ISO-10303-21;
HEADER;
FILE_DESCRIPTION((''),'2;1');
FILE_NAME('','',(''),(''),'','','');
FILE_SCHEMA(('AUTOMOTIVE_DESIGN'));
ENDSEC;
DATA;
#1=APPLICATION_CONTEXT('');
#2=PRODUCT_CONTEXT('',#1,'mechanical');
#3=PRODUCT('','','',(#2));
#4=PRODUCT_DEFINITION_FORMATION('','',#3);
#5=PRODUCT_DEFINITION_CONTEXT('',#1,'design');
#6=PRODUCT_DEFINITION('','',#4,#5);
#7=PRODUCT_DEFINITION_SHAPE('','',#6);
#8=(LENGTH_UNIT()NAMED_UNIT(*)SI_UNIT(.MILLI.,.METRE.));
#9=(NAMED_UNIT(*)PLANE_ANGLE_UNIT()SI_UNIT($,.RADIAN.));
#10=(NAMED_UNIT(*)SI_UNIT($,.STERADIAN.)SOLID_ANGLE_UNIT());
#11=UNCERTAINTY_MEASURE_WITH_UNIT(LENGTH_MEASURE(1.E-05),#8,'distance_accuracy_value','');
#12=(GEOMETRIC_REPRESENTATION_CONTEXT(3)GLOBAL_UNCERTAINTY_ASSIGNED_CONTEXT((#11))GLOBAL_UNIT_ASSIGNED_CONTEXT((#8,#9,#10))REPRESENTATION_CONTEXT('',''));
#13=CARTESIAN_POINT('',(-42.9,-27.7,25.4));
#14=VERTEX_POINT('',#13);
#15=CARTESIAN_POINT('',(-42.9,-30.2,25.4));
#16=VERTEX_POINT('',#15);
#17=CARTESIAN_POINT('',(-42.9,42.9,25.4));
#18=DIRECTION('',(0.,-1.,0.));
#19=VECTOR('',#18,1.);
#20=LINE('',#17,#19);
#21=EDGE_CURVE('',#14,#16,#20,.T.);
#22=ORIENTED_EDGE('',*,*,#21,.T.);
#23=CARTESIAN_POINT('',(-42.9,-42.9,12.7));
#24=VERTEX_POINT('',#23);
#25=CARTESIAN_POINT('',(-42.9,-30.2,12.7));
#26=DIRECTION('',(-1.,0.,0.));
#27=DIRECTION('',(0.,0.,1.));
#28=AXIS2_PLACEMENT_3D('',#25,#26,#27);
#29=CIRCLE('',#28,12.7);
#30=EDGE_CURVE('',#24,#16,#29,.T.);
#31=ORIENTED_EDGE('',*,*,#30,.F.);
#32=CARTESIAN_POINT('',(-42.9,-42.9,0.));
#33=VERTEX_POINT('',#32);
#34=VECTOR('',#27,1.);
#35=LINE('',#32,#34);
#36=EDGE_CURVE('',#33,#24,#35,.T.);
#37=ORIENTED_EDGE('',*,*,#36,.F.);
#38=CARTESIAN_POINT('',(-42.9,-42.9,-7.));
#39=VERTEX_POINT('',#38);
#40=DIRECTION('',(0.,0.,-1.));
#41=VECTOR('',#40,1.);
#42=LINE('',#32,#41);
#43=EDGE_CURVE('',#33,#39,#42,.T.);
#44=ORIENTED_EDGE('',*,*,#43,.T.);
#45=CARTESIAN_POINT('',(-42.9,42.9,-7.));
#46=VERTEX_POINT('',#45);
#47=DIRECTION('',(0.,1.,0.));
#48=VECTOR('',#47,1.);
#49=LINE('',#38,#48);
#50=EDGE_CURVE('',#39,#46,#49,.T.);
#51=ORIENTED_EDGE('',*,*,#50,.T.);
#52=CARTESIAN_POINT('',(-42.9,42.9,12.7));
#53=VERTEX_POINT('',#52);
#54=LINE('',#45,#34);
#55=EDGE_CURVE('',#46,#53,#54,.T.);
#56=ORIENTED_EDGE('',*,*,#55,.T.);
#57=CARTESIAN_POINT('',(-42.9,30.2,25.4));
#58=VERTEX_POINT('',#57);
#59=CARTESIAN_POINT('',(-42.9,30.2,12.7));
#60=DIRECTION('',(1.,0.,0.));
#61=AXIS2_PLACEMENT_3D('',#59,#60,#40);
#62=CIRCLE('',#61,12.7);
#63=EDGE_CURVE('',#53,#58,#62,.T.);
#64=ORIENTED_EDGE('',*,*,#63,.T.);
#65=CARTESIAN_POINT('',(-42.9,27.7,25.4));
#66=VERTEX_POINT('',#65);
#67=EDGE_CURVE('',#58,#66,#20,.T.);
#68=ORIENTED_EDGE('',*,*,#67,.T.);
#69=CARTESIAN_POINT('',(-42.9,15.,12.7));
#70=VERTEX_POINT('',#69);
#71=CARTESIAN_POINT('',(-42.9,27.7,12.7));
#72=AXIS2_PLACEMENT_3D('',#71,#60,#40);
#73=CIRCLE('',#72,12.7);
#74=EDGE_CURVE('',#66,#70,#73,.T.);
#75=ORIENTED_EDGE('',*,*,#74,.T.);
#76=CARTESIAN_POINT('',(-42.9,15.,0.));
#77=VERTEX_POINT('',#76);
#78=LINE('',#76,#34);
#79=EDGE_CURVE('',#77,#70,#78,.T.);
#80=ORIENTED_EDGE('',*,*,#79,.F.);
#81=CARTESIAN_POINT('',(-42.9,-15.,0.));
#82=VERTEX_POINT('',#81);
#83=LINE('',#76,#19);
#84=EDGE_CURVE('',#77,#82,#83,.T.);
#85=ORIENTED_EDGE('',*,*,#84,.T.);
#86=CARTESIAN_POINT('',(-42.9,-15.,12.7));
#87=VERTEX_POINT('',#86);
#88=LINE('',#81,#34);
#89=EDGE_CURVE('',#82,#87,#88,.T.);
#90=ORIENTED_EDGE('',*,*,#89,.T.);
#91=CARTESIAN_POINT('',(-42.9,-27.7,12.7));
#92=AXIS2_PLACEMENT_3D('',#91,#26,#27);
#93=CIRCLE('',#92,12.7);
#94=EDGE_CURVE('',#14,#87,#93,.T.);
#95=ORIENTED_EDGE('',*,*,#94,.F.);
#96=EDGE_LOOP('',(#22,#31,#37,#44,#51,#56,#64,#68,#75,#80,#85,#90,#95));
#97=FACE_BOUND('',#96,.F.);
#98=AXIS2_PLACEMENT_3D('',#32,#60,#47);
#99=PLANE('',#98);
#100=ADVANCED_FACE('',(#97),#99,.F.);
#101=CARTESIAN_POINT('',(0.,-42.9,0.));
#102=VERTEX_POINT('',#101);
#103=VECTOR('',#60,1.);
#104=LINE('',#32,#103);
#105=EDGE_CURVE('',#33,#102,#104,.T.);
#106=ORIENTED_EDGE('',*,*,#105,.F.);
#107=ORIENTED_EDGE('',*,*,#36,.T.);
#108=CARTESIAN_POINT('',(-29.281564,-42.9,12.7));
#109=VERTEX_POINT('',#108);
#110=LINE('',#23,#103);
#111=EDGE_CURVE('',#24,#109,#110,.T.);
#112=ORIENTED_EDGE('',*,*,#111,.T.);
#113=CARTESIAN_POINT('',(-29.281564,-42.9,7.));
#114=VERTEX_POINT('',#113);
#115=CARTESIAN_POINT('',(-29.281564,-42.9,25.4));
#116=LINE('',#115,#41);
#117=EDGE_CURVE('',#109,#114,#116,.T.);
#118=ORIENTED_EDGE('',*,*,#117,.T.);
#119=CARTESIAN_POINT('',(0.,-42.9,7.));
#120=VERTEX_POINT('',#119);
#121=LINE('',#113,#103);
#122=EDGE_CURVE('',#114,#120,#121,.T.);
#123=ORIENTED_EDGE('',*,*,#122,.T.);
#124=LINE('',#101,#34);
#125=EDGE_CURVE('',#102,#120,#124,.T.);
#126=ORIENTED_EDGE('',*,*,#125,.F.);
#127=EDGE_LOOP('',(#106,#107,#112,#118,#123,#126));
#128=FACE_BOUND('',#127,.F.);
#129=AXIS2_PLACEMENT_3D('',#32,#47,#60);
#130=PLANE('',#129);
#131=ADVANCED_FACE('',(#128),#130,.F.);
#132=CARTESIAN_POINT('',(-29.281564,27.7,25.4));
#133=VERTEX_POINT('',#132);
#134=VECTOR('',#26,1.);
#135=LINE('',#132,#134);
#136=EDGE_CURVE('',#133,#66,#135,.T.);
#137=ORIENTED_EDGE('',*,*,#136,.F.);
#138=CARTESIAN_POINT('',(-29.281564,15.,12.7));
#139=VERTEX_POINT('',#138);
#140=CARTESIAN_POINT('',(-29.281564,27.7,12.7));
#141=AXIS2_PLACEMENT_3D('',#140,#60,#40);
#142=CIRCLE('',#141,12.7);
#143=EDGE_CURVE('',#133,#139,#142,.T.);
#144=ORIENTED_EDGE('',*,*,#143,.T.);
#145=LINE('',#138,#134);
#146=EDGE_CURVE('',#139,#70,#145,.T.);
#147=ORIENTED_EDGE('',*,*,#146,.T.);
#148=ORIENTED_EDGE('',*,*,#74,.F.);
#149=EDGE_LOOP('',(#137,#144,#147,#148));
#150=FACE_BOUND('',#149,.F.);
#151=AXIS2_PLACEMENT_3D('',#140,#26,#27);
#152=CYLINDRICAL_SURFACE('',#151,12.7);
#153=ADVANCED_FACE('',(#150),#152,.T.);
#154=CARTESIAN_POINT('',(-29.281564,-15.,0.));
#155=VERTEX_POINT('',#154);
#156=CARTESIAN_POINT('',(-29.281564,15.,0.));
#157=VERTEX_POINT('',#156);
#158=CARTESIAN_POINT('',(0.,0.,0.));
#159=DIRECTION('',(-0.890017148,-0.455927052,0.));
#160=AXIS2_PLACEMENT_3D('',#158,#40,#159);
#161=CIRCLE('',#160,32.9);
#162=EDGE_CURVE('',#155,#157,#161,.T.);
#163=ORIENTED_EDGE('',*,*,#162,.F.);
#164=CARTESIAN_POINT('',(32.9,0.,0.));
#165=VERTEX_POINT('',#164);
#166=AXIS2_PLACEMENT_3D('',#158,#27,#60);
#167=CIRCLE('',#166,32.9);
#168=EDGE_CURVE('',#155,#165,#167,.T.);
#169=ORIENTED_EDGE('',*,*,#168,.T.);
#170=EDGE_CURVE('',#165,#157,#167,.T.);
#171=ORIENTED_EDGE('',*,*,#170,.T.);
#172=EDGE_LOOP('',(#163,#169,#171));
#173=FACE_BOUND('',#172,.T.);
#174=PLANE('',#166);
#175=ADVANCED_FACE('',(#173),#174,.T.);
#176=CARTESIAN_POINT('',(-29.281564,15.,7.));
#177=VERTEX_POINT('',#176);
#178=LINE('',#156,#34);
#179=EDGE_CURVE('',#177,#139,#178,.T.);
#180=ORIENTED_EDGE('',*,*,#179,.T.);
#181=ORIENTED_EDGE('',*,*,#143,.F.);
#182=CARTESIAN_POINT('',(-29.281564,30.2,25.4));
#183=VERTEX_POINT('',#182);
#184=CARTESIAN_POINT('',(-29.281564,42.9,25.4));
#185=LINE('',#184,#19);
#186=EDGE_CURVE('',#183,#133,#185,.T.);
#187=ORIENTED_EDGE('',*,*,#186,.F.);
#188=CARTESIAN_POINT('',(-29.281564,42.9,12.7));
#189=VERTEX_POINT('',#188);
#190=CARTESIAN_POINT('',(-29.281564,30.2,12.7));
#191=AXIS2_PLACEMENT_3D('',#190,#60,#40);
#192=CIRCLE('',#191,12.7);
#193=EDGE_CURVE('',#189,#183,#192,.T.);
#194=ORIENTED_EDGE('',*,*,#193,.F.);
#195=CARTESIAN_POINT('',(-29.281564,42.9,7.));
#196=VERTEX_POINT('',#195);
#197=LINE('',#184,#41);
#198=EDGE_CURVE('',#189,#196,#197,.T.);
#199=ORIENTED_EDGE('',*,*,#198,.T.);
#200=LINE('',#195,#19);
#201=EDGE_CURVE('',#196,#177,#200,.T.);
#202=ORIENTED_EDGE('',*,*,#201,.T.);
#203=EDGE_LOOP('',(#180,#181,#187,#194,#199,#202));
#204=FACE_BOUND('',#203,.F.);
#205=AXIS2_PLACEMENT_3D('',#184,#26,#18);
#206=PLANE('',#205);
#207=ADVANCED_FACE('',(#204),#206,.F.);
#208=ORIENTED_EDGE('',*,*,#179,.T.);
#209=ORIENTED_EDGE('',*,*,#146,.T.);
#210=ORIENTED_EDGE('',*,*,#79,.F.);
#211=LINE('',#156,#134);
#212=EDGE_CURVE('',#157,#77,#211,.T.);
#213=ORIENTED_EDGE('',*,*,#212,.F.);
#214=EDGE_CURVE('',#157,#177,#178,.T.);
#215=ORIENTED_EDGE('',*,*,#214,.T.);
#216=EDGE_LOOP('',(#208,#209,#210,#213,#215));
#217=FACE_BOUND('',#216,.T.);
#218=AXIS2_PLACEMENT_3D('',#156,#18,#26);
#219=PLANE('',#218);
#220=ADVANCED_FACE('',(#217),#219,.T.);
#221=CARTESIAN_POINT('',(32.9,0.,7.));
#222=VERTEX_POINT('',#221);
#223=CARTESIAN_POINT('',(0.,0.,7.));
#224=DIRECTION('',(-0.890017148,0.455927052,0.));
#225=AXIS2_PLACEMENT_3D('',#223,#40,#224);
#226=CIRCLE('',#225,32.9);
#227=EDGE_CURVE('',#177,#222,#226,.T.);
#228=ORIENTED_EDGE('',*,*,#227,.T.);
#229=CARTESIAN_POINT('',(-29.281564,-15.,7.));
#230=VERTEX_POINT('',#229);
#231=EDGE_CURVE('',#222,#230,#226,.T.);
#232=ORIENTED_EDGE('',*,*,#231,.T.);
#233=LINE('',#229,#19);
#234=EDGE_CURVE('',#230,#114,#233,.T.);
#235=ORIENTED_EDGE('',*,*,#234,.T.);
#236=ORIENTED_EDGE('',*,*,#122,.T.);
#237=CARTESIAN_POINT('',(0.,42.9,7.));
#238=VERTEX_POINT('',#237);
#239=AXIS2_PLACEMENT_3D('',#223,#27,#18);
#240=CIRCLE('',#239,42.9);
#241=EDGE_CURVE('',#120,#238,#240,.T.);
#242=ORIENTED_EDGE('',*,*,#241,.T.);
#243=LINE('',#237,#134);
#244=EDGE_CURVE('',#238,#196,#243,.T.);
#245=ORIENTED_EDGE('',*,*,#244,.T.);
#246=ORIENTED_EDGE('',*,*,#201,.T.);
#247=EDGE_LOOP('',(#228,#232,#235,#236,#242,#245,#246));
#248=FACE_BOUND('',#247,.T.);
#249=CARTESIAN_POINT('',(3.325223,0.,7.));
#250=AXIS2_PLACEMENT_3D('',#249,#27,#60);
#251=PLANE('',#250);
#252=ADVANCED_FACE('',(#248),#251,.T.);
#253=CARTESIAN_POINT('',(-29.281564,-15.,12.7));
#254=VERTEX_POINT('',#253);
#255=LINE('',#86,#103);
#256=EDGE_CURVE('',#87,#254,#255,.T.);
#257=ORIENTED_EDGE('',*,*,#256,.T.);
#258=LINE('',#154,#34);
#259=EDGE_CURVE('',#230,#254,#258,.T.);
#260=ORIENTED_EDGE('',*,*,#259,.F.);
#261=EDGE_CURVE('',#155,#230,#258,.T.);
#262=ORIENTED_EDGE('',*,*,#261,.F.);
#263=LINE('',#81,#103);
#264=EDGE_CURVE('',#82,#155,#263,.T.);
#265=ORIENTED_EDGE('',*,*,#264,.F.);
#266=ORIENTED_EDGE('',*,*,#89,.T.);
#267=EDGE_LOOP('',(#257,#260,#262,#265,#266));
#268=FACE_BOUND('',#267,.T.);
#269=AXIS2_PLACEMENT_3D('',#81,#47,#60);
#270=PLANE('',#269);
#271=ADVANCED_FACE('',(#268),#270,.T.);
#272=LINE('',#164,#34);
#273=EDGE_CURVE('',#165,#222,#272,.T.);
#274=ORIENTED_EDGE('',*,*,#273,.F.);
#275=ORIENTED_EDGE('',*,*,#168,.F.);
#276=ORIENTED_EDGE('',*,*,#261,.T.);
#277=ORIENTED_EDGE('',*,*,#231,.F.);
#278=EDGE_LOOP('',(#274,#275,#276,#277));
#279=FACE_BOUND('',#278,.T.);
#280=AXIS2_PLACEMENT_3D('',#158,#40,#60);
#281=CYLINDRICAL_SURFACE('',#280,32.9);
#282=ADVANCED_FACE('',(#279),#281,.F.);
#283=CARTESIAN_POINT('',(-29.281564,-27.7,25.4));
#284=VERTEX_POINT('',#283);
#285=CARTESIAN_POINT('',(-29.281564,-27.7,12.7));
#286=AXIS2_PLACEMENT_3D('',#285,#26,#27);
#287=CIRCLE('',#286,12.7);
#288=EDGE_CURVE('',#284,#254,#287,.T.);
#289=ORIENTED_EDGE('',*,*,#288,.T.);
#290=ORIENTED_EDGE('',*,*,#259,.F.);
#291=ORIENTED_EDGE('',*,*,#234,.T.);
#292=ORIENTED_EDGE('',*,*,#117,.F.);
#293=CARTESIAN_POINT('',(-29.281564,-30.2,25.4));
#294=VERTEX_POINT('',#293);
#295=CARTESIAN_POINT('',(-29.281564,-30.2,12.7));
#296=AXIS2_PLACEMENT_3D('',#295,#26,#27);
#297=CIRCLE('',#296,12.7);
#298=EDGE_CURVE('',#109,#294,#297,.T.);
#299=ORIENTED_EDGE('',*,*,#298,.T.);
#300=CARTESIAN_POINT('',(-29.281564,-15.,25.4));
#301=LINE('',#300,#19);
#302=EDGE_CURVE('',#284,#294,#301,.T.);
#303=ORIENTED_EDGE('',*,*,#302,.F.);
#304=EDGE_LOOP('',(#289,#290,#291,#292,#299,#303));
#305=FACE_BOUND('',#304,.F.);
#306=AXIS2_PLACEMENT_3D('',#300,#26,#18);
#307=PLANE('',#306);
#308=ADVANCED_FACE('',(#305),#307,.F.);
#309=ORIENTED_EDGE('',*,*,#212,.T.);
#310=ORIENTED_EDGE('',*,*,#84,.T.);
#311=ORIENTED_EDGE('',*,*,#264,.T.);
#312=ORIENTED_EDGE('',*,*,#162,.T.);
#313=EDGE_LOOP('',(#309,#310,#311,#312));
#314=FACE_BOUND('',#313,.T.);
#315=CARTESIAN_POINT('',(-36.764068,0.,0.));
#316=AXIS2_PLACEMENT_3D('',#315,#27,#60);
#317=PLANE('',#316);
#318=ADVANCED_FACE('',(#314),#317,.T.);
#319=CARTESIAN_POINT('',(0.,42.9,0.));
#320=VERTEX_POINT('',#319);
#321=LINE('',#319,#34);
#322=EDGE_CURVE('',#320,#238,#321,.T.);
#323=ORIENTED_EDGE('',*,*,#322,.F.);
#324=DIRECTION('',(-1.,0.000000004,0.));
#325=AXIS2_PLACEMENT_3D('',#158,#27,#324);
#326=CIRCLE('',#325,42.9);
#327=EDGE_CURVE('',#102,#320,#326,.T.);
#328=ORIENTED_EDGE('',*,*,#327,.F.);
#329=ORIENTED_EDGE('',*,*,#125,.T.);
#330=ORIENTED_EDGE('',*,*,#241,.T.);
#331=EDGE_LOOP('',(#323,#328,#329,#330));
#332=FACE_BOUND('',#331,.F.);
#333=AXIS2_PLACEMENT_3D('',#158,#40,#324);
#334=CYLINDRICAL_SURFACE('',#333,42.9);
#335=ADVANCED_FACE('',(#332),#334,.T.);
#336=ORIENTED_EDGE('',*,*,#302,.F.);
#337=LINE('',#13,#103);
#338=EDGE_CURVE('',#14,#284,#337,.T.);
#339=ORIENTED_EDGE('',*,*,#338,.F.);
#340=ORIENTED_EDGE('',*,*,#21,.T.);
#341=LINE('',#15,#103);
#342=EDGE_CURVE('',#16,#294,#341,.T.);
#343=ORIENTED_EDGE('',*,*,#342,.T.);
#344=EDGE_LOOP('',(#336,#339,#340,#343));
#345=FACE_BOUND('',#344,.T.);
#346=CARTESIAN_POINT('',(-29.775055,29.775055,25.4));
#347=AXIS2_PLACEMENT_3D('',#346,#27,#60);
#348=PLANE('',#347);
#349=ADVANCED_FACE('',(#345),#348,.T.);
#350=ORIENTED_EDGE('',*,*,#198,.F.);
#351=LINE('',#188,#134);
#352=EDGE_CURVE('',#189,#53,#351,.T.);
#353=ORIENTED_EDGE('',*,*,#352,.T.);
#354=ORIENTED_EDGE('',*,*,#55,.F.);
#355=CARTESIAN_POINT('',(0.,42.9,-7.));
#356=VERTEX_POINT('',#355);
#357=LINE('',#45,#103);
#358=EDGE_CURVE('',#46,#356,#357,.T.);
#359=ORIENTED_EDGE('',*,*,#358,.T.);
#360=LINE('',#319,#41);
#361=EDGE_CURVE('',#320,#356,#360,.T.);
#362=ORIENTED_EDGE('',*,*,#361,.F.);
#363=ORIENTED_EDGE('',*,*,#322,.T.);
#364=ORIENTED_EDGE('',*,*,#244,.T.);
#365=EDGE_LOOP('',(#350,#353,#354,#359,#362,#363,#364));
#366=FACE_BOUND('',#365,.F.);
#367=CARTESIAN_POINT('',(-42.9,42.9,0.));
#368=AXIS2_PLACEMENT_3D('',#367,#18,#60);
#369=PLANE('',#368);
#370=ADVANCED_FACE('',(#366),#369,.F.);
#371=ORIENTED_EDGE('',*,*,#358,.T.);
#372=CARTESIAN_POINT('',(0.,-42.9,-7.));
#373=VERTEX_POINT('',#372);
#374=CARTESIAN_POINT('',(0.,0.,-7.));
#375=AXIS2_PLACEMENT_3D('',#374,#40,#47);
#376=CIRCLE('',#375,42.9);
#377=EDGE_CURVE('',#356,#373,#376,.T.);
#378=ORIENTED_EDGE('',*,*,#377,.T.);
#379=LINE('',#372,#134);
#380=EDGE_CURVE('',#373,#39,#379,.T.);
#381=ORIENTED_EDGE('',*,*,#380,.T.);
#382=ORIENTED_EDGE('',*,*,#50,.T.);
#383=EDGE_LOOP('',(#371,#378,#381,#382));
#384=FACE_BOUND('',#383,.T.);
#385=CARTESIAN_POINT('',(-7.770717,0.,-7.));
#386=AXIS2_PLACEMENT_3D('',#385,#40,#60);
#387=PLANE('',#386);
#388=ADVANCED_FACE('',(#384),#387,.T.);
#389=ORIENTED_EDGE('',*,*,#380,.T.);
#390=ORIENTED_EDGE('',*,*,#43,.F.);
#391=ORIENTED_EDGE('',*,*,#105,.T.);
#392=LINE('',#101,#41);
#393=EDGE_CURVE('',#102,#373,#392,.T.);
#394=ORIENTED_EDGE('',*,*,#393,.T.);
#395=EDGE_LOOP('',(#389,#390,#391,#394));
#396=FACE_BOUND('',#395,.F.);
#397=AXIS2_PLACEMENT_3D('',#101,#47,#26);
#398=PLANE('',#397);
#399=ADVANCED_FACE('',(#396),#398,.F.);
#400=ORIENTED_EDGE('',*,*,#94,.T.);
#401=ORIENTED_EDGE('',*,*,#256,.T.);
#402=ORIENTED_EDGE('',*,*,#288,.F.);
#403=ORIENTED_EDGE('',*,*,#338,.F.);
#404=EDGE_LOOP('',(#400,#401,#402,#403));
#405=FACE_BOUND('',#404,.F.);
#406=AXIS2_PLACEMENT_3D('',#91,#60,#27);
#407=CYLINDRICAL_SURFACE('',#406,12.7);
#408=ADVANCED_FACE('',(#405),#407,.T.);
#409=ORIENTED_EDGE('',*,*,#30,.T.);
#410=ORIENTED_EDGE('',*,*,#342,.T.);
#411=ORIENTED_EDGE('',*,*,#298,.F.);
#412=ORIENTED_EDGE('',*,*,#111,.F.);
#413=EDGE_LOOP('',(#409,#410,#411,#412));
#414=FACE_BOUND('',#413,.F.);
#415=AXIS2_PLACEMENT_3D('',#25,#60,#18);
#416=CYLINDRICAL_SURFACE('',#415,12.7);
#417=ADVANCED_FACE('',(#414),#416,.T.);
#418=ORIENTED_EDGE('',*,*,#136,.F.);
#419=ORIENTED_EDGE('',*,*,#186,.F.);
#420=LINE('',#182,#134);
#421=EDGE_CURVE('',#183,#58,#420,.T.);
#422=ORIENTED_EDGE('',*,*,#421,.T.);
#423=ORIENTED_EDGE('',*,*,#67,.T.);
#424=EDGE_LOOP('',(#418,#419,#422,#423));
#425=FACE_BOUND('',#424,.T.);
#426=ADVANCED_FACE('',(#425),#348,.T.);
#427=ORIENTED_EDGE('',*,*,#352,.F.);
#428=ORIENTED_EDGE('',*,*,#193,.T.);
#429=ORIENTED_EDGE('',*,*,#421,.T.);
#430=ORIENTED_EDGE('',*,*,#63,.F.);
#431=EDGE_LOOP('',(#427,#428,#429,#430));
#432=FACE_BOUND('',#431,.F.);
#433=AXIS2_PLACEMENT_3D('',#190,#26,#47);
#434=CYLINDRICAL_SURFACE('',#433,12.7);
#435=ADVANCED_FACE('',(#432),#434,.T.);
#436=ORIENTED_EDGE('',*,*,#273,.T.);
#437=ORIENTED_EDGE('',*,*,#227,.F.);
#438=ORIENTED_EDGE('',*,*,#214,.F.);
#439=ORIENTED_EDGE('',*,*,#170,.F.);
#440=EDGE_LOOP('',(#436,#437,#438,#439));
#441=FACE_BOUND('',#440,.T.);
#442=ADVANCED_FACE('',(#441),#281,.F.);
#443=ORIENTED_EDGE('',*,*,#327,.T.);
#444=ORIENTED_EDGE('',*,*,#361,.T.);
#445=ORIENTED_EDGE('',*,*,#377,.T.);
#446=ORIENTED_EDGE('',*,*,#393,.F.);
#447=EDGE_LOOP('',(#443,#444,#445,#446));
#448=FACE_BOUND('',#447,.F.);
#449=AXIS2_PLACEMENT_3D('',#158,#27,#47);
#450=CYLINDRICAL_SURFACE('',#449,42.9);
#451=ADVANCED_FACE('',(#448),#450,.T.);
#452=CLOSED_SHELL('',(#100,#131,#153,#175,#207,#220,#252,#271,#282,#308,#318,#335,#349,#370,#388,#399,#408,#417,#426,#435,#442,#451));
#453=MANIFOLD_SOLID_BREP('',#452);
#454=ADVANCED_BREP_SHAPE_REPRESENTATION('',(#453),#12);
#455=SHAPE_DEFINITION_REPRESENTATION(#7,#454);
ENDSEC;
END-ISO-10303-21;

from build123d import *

# Parameters (mm, degrees)
F0_R      = 32.9
F1_DEPTH  = 25.4
F1_FACE_R = 32.9
F2_R      = 32.9
F3_DEPTH  = 7
F5_DEPTH  = 25.4
F7_DEPTH  = 18.4
F8_R      = 12.7


with BuildPart() as f1:
    # F0 (on Top) → F1 (new body)
    with BuildSketch(Plane.XY):
        with BuildLine():
            ThreePointArc((-42.9, 1.789e-07), (-30.3348808497, 30.3348809761), (0, 42.9))
            Line((0, 42.9), (-42.9, 42.9))
            Line((-42.9, 42.9), (-42.9, 1.789e-07))
        make_face()
        with BuildLine():
            Line((-42.9, -42.9), (0, -42.9))
            ThreePointArc((0, -42.9), (-30.3348809761, -30.3348808497), (-42.9, 1.789e-07))
            Line((-42.9, 1.789e-07), (-42.9, -42.9))
        make_face()
        with BuildLine():
            ThreePointArc((0, -42.9), (30.3348809129, -30.3348809129), (42.9, 0))
            ThreePointArc((42.9, 0), (30.3348809129, 30.3348809129), (0, 42.9))
            ThreePointArc((0, 42.9), (-30.3348808497, 30.3348809761), (-42.9, 1.789e-07))
            ThreePointArc((-42.9, 1.789e-07), (-30.3348809761, -30.3348808497), (0, -42.9))
        make_face()
        Circle(F0_R, mode=Mode.SUBTRACT)
    extrude(amount=F1_DEPTH)

    # F1_face (on face) + F2 (on Top) → F3 (join)
    with BuildSketch(Plane(origin=(-8.2989240486, 0, 0), x_dir=(1, 0, 0), z_dir=(0, 0, -1))):
        with BuildLine():
            Line((-34.6010759514, -42.9), (8.2989240486, -42.9))
            ThreePointArc((8.2989240486, -42.9), (51.1989240486, 0), (8.2989240486, 42.9))
            Line((8.2989240486, 42.9), (-34.6010759514, 42.9))
            Line((-34.6010759514, 42.9), (-34.6010759514, -42.9))
        make_face()
        with Locations((8.2989240486, 0)):
            Circle(F1_FACE_R, mode=Mode.SUBTRACT)
    with BuildSketch(Plane.XY):
        Circle(F2_R)
    extrude(amount=F3_DEPTH, dir=(0, 0, -1))

    # F4 (on Top) → F5 (cut)
    with BuildSketch(Plane.XY):
        with BuildLine():
            ThreePointArc((-29.2815641659, -15), (-32.9, 0), (-29.2815641659, 15))
            Line((-29.2815641659, 15), (-42.9, 15))
            Line((-42.9, 15), (-42.9, -15))
            Line((-42.9, -15), (-29.2815641659, -15))
        make_face()
    extrude(amount=F5_DEPTH, mode=Mode.SUBTRACT)

    # F6 (on face) → F7 (cut)
    with BuildSketch(Plane.XY.offset(25.4)):
        with BuildLine():
            Line((-29.2815641659, 42.9), (-29.2815641659, 15))
            ThreePointArc((-29.2815641659, 15), (32.9, 0), (-29.2815641659, -15))
            Line((-29.2815641659, -15), (-29.2815641659, -42.9))
            Line((-29.2815641659, -42.9), (0, -42.9))
            ThreePointArc((0, -42.9), (42.9, 0), (0, 42.9))
            Line((0, 42.9), (-29.2815641659, 42.9))
        make_face()
    extrude(amount=-F7_DEPTH, mode=Mode.SUBTRACT)

    # F8
    f8_edges = [f1.edges().sort_by_distance(p)[0] for p in [
        (-36.090782, -42.9, 25.4),
        (-36.090782, -15, 25.4),
        (-36.090782, 15, 25.4),
        (-36.090782, 42.9, 25.4),
    ]]
    fillet(f8_edges, radius=F8_R)


solid = f1.part
